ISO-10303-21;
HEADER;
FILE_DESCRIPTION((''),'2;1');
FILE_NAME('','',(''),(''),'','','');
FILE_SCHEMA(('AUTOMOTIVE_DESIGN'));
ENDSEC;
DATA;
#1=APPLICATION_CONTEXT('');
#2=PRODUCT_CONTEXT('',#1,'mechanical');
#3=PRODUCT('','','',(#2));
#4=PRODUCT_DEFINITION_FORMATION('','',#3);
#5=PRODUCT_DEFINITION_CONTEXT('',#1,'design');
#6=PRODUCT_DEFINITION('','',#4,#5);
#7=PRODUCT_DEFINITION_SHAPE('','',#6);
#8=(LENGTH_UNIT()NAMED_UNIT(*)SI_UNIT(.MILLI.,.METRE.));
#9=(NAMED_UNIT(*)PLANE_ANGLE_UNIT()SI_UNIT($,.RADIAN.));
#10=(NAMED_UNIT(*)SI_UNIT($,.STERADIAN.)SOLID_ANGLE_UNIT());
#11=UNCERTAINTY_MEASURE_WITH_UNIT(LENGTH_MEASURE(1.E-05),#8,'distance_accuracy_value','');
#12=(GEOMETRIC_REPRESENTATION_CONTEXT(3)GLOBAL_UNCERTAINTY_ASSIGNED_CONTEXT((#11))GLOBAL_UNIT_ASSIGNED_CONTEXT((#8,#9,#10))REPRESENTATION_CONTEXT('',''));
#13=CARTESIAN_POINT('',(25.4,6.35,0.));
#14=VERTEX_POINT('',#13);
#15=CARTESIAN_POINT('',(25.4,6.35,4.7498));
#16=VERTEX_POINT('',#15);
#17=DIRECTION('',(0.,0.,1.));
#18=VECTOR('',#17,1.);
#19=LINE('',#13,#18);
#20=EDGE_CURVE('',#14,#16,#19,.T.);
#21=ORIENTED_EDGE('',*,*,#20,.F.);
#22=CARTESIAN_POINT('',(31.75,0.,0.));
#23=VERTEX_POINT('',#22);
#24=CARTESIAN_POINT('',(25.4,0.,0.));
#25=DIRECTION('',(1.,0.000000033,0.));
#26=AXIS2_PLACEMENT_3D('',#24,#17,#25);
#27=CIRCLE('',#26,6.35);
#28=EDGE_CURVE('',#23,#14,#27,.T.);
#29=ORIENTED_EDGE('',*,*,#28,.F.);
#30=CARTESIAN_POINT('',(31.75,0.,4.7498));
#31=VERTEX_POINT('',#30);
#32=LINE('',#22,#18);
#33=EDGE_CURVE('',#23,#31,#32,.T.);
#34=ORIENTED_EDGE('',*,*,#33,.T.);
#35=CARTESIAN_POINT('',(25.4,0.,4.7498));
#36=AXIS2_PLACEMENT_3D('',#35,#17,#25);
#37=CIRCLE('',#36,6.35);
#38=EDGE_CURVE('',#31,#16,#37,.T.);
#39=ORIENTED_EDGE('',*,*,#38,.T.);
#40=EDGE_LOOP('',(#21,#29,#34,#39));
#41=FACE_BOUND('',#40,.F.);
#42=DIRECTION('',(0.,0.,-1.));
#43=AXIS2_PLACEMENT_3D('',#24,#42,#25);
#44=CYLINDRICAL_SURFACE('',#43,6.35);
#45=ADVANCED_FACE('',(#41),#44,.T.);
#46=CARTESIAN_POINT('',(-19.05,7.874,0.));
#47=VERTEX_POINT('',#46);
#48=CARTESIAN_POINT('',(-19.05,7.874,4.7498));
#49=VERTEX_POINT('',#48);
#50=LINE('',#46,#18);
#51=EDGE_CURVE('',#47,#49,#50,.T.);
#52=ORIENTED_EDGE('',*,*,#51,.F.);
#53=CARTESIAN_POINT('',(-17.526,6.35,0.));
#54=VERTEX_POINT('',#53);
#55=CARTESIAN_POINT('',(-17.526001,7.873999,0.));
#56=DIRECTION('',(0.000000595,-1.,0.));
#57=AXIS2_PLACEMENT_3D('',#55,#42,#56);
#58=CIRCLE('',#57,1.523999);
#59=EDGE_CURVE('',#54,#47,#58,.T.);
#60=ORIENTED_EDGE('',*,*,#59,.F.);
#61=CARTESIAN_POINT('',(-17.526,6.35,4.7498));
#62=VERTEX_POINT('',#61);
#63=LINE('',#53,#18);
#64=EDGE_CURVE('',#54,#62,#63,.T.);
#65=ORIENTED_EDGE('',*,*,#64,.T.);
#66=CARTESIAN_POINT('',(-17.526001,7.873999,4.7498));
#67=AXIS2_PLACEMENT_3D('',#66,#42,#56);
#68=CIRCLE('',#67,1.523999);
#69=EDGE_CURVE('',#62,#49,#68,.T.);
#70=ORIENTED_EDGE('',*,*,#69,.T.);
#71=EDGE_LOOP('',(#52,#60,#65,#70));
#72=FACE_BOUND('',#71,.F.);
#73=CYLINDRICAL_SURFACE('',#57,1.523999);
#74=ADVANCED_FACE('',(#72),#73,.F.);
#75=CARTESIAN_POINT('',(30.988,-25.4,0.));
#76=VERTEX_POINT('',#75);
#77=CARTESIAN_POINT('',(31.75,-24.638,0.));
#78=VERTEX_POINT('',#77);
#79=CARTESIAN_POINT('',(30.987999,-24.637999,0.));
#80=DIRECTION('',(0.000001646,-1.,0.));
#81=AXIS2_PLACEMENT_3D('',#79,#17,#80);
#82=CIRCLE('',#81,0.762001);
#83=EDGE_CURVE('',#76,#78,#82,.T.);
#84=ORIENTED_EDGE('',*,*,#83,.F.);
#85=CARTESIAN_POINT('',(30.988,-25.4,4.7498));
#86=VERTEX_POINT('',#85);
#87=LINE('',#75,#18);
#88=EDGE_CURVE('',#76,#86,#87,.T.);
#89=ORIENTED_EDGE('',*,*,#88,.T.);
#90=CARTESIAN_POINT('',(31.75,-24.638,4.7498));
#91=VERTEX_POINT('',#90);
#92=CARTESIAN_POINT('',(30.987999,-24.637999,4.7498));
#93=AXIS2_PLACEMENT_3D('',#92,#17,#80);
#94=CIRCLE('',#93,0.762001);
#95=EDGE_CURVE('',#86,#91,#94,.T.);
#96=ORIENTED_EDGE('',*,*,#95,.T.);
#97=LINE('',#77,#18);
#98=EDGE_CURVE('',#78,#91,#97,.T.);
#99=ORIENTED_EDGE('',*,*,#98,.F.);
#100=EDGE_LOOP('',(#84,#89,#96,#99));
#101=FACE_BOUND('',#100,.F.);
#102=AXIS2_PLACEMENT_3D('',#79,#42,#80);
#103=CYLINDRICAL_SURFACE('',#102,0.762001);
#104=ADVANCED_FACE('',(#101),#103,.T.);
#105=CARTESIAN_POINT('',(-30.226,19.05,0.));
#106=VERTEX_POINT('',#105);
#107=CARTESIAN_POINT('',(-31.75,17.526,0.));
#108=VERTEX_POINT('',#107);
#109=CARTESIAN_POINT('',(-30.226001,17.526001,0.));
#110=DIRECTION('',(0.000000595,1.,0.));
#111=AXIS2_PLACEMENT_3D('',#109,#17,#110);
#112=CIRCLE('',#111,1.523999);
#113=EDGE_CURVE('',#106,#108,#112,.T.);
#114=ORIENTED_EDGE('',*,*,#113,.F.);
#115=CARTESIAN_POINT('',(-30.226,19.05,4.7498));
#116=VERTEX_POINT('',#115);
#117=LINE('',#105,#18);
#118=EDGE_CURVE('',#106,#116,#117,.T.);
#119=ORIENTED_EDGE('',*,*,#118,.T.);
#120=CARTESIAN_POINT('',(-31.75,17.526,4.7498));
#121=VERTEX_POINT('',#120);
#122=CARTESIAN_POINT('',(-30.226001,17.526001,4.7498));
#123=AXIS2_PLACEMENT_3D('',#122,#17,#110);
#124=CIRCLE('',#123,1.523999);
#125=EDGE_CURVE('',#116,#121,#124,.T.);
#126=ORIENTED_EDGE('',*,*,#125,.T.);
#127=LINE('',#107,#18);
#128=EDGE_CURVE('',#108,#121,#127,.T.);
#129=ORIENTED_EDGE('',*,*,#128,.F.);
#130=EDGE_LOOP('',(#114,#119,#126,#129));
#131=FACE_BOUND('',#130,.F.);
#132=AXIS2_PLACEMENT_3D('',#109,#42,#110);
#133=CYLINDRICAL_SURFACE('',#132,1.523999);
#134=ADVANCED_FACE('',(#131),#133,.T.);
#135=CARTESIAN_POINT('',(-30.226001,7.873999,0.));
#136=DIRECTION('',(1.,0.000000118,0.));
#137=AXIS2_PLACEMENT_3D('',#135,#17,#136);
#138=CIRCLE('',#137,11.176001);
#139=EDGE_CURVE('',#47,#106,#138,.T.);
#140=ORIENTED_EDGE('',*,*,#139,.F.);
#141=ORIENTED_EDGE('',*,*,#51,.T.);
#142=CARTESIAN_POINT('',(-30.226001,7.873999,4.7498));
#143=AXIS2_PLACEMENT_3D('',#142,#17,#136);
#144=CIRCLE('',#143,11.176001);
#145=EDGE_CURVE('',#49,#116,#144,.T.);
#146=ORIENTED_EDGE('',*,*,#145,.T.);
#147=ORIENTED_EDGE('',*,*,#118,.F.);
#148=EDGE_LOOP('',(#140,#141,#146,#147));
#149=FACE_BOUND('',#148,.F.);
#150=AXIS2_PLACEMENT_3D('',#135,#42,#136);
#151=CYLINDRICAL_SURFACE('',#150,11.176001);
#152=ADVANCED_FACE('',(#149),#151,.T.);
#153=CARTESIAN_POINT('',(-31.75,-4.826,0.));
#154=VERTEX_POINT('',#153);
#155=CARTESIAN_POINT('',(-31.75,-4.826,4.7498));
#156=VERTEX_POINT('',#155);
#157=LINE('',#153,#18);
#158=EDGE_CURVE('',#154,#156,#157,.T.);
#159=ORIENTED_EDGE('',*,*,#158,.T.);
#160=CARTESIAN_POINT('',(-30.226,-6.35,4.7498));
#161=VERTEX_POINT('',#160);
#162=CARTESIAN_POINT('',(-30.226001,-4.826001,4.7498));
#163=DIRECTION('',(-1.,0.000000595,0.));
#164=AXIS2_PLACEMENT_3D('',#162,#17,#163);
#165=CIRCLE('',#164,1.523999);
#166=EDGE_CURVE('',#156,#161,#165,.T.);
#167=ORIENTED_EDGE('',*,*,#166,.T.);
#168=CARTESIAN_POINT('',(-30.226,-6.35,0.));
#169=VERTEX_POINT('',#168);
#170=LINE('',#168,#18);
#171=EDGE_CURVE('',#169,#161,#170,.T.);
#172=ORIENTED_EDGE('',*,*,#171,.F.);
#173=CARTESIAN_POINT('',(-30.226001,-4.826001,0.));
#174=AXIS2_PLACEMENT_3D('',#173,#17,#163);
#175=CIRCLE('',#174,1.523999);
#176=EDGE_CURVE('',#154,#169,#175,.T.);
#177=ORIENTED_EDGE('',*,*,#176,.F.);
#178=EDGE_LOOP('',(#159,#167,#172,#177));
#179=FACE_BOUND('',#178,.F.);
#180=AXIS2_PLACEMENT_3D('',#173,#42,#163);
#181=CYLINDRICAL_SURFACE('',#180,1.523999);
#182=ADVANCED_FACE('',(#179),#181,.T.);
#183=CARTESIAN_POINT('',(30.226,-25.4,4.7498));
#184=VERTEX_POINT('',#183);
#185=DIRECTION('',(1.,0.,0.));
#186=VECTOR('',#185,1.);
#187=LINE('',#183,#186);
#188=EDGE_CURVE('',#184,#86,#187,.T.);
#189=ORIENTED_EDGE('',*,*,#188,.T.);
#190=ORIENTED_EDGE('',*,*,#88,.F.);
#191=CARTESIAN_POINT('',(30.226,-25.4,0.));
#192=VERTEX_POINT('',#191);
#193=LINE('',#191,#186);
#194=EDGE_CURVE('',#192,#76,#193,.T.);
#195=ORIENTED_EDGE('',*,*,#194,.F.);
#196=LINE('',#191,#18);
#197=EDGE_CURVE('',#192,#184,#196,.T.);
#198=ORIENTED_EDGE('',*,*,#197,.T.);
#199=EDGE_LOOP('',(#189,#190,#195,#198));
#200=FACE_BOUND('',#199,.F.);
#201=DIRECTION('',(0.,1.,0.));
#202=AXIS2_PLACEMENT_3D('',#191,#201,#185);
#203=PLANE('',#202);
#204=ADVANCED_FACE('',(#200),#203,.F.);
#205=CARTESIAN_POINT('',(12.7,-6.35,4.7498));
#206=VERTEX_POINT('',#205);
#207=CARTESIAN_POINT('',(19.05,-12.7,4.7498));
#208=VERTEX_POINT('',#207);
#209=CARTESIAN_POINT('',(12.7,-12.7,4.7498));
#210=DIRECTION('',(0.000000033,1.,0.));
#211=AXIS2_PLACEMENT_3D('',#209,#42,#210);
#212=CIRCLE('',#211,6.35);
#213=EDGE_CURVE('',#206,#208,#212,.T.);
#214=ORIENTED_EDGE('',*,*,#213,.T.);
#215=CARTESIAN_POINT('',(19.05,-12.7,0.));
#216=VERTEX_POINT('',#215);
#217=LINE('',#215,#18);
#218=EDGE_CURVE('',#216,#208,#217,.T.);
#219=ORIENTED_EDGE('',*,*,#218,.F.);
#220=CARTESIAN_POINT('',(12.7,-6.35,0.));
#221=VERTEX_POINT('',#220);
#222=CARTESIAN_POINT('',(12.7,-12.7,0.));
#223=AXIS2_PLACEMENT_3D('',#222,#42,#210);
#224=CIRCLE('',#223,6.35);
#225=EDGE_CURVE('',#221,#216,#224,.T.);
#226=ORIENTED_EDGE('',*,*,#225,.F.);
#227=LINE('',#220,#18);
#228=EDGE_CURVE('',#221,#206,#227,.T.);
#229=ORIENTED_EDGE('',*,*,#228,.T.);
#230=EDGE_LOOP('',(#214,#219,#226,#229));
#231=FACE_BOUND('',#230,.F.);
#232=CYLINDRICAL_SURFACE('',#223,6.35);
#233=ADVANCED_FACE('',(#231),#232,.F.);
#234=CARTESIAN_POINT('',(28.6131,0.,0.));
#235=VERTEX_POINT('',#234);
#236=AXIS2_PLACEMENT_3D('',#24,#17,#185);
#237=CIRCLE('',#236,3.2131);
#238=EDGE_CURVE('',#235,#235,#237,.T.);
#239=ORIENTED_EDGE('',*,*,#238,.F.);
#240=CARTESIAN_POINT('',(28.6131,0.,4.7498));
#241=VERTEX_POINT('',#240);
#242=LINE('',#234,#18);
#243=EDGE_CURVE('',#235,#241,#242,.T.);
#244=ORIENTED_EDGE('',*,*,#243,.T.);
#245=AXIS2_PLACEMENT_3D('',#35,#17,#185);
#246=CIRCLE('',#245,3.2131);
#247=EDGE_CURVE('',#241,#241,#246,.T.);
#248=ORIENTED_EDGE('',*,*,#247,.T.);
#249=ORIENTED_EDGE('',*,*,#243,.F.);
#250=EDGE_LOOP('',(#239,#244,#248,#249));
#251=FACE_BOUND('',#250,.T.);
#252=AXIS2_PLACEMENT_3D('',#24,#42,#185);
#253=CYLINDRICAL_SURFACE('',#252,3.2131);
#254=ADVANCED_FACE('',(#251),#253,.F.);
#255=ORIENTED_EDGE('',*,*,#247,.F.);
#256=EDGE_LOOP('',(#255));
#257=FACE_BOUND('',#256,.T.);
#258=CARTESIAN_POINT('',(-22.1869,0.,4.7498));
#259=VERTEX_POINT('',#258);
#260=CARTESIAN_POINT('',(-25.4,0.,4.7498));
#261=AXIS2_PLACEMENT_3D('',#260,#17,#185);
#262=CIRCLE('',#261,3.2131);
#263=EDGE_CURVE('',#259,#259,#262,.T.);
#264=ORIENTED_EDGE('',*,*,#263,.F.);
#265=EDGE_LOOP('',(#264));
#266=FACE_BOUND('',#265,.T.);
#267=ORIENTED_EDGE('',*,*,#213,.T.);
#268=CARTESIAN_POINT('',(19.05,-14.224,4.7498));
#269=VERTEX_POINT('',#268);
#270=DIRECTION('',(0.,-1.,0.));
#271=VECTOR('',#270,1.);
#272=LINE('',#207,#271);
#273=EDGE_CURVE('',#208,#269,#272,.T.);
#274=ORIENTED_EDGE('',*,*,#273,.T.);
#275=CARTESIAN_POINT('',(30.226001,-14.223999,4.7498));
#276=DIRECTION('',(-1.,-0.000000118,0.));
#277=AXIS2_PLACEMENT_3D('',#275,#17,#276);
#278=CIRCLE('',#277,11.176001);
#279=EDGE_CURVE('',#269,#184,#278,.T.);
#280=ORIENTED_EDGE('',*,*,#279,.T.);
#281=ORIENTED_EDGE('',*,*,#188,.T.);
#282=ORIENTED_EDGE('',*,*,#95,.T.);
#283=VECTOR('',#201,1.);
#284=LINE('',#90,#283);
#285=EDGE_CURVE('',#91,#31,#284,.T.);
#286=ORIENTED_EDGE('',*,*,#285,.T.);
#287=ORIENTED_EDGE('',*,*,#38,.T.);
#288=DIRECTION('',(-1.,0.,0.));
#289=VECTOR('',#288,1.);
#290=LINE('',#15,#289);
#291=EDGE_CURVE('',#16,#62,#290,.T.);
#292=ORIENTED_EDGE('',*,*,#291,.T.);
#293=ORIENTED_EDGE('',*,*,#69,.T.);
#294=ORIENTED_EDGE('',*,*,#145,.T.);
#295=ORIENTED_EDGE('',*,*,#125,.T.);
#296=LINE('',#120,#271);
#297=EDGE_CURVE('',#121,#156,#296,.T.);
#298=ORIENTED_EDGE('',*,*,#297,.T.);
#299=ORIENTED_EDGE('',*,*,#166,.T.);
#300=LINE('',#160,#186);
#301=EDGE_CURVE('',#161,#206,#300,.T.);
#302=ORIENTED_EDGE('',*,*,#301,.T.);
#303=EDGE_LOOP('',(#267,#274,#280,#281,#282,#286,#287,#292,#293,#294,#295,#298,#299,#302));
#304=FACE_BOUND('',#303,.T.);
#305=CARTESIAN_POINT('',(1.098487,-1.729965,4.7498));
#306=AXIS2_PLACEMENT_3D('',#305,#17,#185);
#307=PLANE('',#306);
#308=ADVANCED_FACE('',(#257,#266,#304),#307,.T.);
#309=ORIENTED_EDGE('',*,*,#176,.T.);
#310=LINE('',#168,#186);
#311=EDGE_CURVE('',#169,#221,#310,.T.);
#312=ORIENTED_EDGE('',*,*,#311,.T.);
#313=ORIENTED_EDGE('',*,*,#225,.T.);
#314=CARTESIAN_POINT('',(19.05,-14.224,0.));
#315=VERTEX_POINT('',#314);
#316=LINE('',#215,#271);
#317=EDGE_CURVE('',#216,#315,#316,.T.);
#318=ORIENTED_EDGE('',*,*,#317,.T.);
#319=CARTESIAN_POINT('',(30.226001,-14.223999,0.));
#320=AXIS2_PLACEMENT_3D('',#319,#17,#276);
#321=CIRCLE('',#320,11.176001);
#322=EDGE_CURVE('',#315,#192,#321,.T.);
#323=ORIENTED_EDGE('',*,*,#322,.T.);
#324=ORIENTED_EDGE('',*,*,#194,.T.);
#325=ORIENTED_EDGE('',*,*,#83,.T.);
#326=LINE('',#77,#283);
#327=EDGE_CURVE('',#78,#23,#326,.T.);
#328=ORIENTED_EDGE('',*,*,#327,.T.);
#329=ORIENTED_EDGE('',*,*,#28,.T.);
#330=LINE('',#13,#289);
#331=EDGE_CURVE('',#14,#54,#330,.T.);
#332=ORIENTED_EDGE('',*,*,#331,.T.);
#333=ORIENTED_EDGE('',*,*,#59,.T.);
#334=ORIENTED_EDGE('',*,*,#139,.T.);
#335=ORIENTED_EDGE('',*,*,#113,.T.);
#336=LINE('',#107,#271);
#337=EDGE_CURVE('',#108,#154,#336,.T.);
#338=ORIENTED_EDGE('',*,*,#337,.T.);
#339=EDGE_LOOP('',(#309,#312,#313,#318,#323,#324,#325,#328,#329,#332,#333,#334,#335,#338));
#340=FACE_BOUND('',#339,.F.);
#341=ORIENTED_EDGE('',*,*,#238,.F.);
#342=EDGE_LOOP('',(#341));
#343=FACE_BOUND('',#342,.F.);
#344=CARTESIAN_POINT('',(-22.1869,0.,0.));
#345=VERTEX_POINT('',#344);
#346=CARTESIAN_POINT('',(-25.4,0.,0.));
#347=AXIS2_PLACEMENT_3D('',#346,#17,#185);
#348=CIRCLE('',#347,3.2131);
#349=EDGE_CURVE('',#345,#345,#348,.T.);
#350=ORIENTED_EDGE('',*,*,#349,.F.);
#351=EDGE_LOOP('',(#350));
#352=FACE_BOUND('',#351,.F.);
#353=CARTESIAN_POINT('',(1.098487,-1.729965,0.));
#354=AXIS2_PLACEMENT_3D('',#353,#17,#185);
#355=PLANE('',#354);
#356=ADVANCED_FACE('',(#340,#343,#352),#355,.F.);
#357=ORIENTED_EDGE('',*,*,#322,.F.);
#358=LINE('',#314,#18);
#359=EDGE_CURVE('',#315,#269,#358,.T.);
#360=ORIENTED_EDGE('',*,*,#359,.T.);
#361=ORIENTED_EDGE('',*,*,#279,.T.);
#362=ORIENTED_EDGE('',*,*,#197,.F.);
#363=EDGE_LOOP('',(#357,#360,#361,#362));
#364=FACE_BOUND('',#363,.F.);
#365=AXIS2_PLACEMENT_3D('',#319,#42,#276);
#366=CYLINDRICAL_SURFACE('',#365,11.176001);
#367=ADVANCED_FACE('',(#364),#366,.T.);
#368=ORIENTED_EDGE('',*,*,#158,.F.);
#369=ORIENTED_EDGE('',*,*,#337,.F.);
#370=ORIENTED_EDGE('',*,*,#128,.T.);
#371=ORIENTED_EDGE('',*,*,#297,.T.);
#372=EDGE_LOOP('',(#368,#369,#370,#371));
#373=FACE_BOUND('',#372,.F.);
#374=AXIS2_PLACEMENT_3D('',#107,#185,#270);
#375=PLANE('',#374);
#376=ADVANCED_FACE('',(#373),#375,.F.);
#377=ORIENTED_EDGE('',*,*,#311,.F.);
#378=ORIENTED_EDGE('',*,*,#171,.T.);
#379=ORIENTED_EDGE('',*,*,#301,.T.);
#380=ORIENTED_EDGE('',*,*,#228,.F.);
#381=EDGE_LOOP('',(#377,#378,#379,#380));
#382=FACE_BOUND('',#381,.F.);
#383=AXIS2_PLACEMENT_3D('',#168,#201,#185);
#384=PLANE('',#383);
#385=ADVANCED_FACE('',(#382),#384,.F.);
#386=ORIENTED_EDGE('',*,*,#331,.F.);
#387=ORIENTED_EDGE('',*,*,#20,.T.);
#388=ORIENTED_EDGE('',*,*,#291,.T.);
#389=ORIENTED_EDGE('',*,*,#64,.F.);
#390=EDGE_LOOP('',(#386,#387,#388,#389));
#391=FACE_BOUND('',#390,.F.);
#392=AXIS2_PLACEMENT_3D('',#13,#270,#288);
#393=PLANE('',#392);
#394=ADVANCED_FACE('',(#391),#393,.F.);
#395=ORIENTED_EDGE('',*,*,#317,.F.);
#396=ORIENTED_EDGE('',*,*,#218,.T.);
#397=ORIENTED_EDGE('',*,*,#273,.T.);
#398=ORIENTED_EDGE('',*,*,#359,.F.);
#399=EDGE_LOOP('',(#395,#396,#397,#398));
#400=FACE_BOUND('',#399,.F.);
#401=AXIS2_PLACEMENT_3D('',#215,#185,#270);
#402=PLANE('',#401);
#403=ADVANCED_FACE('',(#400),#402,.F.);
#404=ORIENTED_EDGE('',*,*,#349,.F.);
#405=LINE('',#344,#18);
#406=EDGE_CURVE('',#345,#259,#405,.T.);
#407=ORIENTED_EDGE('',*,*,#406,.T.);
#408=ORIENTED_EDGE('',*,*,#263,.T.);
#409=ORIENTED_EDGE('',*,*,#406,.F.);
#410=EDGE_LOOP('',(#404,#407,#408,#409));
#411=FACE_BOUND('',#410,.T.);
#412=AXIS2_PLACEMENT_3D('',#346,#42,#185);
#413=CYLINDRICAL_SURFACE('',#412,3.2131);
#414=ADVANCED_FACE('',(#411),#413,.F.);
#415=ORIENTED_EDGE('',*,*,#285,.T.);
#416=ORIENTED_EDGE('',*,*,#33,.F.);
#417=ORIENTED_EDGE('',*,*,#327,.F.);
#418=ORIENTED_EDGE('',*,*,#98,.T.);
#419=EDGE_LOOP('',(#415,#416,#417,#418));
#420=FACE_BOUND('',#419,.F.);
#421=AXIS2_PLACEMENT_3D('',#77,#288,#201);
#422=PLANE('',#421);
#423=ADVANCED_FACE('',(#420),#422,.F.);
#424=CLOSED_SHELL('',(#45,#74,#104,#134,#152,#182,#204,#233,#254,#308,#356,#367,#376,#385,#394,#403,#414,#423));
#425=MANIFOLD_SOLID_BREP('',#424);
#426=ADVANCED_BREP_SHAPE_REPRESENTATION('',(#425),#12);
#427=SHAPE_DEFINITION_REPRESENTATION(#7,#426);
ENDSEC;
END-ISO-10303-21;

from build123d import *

# Parameters (mm, degrees)
F0_R     = 3.2131
F1_DEPTH = 4.7498


with BuildPart() as f1:
    # F0 (on Top) → F1 (new body)
    with BuildSketch(Plane.XY):
        with BuildLine():
            ThreePointArc((-30.226, 19.05), (-31.303631, 18.603631), (-31.75, 17.526))
            Line((-31.75, 17.526), (-31.75, -4.826))
            ThreePointArc((-31.75, -4.826), (-31.303631, -5.903631), (-30.226, -6.35))
            Line((-30.226, -6.35), (12.7, -6.35))
            ThreePointArc((12.7, -6.35), (17.190128, -8.209872), (19.05, -12.7))
            Line((19.05, -12.7), (19.05, -14.224))
            ThreePointArc((19.05, -14.224), (22.323375, -22.126625), (30.226, -25.4))
            Line((30.226, -25.4), (30.988, -25.4))
            ThreePointArc((30.988, -25.4), (31.526815, -25.176815), (31.75, -24.638))
            Line((31.75, -24.638), (31.75, 0))
            ThreePointArc((31.75, 0), (29.890128, 4.490128), (25.4, 6.35))
            Line((25.4, 6.35), (-17.526, 6.35))
            ThreePointArc((-17.526, 6.35), (-18.603631, 6.796369), (-19.05, 7.874))
            ThreePointArc((-19.05, 7.874), (-22.323375, 15.776625), (-30.226, 19.05))
        make_face()
        with Locations((-25.4, 0)):
            Circle(F0_R, mode=Mode.SUBTRACT)
        with Locations((25.4, 0)):
            Circle(F0_R, mode=Mode.SUBTRACT)
    extrude(amount=F1_DEPTH)


solid = f1.part
